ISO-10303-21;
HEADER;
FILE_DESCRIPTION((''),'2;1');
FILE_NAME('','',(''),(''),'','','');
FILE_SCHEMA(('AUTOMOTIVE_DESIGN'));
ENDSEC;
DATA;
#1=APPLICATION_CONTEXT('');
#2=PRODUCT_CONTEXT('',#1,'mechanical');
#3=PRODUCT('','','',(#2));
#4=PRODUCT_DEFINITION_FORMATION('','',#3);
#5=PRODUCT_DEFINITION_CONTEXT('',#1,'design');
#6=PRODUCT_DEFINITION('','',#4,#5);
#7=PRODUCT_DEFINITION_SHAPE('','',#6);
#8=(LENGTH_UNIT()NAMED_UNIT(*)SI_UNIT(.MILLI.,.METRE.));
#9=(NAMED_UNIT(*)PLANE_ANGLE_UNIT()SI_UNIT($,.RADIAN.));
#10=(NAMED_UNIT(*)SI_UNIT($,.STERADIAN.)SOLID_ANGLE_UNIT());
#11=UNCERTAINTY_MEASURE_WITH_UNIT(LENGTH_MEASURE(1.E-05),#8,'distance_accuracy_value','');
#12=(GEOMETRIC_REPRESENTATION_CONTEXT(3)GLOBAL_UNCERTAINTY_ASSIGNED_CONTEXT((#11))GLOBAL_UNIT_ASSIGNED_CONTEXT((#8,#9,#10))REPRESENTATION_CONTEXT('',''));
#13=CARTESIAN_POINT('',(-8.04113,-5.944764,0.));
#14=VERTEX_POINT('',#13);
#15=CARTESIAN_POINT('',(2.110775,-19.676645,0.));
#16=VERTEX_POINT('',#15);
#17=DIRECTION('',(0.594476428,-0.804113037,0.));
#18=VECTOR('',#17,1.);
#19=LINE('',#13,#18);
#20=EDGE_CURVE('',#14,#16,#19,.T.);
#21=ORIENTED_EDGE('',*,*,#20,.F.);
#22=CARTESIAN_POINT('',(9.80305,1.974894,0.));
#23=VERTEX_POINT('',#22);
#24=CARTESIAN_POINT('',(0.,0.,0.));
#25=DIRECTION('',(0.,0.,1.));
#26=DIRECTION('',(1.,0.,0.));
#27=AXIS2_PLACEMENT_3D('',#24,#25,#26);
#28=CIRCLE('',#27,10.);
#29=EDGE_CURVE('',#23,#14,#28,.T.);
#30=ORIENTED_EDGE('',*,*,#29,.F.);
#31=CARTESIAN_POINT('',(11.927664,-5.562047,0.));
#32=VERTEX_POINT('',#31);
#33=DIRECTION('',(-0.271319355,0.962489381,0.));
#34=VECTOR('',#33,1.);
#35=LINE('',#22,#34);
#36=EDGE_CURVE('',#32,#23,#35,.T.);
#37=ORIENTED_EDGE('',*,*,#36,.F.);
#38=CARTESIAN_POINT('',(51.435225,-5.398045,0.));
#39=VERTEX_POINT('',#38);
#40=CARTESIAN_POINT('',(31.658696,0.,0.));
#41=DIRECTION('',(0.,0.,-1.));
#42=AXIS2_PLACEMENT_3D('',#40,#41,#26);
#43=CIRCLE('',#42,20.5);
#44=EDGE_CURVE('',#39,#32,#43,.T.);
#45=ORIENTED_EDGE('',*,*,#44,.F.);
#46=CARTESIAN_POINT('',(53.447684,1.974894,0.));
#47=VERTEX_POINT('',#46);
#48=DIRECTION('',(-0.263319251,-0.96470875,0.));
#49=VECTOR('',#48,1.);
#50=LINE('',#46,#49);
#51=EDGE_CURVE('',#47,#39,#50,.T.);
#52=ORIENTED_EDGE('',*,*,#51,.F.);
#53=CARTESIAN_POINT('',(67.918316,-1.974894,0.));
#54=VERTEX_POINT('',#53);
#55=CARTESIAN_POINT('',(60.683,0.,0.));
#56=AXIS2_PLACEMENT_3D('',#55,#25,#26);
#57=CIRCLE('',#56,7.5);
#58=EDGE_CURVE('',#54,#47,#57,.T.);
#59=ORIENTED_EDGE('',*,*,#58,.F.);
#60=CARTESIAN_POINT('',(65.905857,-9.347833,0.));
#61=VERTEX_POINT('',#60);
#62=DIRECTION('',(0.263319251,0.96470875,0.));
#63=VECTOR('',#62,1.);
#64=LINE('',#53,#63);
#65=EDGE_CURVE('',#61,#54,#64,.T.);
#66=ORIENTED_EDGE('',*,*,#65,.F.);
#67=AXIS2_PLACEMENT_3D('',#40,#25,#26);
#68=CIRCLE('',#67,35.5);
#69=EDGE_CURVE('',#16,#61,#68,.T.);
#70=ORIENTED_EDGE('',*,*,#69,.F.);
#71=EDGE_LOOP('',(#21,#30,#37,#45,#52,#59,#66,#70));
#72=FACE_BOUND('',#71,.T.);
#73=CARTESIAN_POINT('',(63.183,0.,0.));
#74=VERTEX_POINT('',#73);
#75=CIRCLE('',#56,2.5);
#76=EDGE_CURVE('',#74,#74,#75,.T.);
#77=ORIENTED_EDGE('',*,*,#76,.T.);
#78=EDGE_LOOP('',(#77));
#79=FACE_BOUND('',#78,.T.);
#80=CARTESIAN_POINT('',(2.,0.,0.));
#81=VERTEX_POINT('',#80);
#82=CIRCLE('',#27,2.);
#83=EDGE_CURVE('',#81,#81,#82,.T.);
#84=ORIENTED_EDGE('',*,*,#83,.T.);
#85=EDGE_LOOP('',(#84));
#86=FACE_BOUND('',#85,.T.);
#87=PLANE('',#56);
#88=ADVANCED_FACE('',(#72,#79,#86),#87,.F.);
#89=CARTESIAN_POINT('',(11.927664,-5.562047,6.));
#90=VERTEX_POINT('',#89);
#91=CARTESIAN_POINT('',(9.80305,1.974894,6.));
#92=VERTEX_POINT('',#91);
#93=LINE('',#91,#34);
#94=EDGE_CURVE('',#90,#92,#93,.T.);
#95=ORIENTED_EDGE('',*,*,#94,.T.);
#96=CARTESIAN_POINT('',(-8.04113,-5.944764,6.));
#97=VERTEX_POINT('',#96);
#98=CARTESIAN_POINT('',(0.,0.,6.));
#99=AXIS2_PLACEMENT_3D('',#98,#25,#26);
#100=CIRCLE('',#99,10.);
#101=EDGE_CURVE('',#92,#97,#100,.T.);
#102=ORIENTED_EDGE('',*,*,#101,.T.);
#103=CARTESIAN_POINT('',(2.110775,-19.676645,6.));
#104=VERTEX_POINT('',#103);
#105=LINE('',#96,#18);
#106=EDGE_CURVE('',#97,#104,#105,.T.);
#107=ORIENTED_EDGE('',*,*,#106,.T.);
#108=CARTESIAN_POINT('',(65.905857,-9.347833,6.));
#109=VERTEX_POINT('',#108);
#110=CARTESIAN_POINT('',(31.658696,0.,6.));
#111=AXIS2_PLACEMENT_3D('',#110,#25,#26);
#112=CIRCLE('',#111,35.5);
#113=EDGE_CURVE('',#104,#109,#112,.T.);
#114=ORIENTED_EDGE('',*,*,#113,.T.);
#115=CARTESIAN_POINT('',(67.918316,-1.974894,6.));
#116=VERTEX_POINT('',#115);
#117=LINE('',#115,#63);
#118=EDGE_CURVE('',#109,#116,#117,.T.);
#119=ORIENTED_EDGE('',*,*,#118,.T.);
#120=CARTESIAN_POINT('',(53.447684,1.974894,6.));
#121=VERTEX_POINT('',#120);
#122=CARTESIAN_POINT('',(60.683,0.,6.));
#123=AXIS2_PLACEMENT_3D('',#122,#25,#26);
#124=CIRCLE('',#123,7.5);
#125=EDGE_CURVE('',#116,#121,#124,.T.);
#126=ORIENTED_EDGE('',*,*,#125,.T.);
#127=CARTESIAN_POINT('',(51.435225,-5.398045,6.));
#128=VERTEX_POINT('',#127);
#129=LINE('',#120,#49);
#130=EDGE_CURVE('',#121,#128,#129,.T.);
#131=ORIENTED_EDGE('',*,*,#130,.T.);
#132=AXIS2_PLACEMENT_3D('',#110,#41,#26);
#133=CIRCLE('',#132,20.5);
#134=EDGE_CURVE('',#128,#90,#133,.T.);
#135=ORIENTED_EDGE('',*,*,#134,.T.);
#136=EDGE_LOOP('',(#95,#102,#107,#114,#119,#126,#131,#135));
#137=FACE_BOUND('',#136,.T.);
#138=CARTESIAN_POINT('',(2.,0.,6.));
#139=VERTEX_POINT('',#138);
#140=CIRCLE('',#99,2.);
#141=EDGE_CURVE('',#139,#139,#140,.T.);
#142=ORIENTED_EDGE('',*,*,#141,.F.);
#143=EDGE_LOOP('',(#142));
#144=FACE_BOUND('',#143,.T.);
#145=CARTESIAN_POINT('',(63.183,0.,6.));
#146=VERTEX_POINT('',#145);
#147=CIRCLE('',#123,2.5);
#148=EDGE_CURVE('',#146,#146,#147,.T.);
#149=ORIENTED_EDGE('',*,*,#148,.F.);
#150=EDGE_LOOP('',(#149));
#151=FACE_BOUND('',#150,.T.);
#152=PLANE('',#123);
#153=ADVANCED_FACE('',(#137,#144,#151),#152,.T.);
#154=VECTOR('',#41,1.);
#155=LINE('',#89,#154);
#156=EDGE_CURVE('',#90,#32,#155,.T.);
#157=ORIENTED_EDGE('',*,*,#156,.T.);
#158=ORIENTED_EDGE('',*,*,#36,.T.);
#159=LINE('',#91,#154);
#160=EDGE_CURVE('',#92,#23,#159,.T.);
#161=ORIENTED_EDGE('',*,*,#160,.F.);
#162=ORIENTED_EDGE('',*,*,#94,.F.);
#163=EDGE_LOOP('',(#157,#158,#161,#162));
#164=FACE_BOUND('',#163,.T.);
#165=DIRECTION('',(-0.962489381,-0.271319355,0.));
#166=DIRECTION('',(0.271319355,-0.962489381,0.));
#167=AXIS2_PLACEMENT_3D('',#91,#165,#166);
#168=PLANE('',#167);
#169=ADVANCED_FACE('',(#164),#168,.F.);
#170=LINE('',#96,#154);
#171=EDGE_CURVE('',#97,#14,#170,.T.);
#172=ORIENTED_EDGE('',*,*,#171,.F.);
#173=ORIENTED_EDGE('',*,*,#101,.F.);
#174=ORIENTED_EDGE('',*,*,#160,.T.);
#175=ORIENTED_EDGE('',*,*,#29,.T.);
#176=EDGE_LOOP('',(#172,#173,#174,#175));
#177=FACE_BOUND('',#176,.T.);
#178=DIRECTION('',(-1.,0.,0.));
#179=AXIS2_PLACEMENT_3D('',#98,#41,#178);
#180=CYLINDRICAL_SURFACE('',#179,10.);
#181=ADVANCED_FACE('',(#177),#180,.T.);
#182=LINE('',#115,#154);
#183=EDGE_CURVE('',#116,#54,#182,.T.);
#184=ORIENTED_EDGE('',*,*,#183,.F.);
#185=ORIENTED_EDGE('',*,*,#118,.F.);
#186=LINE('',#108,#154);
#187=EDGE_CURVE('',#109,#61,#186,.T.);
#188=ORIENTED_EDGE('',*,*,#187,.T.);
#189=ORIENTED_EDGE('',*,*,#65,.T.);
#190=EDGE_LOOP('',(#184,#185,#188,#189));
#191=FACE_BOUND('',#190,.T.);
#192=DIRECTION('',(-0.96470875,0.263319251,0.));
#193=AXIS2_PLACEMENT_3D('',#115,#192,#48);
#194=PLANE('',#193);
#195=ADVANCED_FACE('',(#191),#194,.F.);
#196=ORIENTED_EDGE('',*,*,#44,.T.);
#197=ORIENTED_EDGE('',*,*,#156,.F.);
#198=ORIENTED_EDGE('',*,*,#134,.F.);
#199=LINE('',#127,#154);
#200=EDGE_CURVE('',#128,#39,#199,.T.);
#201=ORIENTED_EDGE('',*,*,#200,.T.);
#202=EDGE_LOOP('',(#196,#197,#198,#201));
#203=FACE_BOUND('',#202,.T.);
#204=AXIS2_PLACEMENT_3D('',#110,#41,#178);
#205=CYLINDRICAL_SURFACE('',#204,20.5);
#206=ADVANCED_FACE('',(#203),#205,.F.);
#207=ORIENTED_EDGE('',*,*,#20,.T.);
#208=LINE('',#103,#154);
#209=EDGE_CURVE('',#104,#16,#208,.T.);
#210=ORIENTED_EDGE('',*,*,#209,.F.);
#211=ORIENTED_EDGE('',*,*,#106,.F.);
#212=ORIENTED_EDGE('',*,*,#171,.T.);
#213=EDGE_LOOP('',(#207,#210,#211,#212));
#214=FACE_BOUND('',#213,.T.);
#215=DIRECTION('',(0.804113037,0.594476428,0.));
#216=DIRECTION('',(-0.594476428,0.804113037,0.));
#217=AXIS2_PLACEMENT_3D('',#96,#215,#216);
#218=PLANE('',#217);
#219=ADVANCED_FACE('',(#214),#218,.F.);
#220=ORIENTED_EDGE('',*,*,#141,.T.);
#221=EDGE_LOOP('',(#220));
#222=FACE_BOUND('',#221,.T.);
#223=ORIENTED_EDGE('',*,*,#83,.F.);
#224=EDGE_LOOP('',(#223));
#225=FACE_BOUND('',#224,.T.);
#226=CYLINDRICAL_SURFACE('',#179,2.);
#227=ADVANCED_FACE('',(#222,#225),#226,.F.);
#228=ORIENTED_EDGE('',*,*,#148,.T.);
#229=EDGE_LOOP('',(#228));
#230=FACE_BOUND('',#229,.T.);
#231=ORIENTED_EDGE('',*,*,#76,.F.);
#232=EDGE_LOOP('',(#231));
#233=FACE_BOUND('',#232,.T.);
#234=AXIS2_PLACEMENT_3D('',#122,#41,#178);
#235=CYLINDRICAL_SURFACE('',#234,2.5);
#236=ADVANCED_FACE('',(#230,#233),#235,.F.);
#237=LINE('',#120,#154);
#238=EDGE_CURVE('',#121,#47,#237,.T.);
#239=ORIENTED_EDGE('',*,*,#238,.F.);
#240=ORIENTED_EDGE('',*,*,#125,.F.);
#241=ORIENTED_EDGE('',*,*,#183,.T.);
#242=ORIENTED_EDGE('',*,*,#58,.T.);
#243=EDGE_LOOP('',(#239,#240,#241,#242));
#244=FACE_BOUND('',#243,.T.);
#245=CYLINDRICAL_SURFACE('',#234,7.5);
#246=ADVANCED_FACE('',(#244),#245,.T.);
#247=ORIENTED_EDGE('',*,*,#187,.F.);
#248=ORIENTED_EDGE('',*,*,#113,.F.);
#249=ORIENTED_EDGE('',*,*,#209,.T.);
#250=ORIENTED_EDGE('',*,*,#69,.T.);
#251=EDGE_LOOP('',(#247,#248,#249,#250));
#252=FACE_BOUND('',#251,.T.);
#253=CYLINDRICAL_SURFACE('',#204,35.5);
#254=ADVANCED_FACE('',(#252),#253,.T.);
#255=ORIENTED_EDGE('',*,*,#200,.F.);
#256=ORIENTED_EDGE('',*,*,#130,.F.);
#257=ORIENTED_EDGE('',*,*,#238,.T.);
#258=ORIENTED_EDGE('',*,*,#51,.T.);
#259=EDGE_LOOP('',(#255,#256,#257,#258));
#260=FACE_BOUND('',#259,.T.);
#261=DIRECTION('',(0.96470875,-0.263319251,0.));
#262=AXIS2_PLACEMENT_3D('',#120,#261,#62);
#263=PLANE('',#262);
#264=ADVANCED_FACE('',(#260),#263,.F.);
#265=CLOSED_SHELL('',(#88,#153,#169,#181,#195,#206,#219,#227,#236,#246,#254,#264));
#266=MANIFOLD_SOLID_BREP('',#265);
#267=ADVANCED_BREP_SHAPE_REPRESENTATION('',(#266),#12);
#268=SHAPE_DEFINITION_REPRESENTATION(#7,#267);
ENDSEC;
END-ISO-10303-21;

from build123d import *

# Parameters (mm, degrees)
SKETCH1_R           = 2
SKETCH1_R_2         = 2.5
BOSS_EXTRUDE1_DEPTH = 6


with BuildPart() as part:
    # Sketch1 → Boss-Extrude1 (new body)
    with BuildSketch(Plane.XY):
        with BuildLine():
            Line((53.447684375, 1.974894379), (51.435225406, -5.398044637))
            ThreePointArc((51.435225406, -5.398044637), (31.743794042, -20.499823373), (11.927663731, -5.562046775))
            Line((11.927663731, -5.562046775), (9.803050147, 1.974894379))
            ThreePointArc((9.803050147, 1.974894379), (-4.056641299, 9.140222173), (-8.041130375, -5.944764276))
            Line((-8.041130375, -5.944764276), (2.110775064, -19.676645204))
            ThreePointArc((2.110775064, -19.676645204), (37.332477988, -35.043661314), (65.905856656, -9.347833395))
            Line((65.905856656, -9.347833395), (67.918315625, -1.974894379))
            ThreePointArc((67.918315625, -1.974894379), (62.657894379, 7.235315625), (53.447684375, 1.974894379))
        make_face()
        Circle(SKETCH1_R, mode=Mode.SUBTRACT)
        with Locations((60.683, 0)):
            Circle(SKETCH1_R_2, mode=Mode.SUBTRACT)
    extrude(amount=BOSS_EXTRUDE1_DEPTH)


solid = part.part
